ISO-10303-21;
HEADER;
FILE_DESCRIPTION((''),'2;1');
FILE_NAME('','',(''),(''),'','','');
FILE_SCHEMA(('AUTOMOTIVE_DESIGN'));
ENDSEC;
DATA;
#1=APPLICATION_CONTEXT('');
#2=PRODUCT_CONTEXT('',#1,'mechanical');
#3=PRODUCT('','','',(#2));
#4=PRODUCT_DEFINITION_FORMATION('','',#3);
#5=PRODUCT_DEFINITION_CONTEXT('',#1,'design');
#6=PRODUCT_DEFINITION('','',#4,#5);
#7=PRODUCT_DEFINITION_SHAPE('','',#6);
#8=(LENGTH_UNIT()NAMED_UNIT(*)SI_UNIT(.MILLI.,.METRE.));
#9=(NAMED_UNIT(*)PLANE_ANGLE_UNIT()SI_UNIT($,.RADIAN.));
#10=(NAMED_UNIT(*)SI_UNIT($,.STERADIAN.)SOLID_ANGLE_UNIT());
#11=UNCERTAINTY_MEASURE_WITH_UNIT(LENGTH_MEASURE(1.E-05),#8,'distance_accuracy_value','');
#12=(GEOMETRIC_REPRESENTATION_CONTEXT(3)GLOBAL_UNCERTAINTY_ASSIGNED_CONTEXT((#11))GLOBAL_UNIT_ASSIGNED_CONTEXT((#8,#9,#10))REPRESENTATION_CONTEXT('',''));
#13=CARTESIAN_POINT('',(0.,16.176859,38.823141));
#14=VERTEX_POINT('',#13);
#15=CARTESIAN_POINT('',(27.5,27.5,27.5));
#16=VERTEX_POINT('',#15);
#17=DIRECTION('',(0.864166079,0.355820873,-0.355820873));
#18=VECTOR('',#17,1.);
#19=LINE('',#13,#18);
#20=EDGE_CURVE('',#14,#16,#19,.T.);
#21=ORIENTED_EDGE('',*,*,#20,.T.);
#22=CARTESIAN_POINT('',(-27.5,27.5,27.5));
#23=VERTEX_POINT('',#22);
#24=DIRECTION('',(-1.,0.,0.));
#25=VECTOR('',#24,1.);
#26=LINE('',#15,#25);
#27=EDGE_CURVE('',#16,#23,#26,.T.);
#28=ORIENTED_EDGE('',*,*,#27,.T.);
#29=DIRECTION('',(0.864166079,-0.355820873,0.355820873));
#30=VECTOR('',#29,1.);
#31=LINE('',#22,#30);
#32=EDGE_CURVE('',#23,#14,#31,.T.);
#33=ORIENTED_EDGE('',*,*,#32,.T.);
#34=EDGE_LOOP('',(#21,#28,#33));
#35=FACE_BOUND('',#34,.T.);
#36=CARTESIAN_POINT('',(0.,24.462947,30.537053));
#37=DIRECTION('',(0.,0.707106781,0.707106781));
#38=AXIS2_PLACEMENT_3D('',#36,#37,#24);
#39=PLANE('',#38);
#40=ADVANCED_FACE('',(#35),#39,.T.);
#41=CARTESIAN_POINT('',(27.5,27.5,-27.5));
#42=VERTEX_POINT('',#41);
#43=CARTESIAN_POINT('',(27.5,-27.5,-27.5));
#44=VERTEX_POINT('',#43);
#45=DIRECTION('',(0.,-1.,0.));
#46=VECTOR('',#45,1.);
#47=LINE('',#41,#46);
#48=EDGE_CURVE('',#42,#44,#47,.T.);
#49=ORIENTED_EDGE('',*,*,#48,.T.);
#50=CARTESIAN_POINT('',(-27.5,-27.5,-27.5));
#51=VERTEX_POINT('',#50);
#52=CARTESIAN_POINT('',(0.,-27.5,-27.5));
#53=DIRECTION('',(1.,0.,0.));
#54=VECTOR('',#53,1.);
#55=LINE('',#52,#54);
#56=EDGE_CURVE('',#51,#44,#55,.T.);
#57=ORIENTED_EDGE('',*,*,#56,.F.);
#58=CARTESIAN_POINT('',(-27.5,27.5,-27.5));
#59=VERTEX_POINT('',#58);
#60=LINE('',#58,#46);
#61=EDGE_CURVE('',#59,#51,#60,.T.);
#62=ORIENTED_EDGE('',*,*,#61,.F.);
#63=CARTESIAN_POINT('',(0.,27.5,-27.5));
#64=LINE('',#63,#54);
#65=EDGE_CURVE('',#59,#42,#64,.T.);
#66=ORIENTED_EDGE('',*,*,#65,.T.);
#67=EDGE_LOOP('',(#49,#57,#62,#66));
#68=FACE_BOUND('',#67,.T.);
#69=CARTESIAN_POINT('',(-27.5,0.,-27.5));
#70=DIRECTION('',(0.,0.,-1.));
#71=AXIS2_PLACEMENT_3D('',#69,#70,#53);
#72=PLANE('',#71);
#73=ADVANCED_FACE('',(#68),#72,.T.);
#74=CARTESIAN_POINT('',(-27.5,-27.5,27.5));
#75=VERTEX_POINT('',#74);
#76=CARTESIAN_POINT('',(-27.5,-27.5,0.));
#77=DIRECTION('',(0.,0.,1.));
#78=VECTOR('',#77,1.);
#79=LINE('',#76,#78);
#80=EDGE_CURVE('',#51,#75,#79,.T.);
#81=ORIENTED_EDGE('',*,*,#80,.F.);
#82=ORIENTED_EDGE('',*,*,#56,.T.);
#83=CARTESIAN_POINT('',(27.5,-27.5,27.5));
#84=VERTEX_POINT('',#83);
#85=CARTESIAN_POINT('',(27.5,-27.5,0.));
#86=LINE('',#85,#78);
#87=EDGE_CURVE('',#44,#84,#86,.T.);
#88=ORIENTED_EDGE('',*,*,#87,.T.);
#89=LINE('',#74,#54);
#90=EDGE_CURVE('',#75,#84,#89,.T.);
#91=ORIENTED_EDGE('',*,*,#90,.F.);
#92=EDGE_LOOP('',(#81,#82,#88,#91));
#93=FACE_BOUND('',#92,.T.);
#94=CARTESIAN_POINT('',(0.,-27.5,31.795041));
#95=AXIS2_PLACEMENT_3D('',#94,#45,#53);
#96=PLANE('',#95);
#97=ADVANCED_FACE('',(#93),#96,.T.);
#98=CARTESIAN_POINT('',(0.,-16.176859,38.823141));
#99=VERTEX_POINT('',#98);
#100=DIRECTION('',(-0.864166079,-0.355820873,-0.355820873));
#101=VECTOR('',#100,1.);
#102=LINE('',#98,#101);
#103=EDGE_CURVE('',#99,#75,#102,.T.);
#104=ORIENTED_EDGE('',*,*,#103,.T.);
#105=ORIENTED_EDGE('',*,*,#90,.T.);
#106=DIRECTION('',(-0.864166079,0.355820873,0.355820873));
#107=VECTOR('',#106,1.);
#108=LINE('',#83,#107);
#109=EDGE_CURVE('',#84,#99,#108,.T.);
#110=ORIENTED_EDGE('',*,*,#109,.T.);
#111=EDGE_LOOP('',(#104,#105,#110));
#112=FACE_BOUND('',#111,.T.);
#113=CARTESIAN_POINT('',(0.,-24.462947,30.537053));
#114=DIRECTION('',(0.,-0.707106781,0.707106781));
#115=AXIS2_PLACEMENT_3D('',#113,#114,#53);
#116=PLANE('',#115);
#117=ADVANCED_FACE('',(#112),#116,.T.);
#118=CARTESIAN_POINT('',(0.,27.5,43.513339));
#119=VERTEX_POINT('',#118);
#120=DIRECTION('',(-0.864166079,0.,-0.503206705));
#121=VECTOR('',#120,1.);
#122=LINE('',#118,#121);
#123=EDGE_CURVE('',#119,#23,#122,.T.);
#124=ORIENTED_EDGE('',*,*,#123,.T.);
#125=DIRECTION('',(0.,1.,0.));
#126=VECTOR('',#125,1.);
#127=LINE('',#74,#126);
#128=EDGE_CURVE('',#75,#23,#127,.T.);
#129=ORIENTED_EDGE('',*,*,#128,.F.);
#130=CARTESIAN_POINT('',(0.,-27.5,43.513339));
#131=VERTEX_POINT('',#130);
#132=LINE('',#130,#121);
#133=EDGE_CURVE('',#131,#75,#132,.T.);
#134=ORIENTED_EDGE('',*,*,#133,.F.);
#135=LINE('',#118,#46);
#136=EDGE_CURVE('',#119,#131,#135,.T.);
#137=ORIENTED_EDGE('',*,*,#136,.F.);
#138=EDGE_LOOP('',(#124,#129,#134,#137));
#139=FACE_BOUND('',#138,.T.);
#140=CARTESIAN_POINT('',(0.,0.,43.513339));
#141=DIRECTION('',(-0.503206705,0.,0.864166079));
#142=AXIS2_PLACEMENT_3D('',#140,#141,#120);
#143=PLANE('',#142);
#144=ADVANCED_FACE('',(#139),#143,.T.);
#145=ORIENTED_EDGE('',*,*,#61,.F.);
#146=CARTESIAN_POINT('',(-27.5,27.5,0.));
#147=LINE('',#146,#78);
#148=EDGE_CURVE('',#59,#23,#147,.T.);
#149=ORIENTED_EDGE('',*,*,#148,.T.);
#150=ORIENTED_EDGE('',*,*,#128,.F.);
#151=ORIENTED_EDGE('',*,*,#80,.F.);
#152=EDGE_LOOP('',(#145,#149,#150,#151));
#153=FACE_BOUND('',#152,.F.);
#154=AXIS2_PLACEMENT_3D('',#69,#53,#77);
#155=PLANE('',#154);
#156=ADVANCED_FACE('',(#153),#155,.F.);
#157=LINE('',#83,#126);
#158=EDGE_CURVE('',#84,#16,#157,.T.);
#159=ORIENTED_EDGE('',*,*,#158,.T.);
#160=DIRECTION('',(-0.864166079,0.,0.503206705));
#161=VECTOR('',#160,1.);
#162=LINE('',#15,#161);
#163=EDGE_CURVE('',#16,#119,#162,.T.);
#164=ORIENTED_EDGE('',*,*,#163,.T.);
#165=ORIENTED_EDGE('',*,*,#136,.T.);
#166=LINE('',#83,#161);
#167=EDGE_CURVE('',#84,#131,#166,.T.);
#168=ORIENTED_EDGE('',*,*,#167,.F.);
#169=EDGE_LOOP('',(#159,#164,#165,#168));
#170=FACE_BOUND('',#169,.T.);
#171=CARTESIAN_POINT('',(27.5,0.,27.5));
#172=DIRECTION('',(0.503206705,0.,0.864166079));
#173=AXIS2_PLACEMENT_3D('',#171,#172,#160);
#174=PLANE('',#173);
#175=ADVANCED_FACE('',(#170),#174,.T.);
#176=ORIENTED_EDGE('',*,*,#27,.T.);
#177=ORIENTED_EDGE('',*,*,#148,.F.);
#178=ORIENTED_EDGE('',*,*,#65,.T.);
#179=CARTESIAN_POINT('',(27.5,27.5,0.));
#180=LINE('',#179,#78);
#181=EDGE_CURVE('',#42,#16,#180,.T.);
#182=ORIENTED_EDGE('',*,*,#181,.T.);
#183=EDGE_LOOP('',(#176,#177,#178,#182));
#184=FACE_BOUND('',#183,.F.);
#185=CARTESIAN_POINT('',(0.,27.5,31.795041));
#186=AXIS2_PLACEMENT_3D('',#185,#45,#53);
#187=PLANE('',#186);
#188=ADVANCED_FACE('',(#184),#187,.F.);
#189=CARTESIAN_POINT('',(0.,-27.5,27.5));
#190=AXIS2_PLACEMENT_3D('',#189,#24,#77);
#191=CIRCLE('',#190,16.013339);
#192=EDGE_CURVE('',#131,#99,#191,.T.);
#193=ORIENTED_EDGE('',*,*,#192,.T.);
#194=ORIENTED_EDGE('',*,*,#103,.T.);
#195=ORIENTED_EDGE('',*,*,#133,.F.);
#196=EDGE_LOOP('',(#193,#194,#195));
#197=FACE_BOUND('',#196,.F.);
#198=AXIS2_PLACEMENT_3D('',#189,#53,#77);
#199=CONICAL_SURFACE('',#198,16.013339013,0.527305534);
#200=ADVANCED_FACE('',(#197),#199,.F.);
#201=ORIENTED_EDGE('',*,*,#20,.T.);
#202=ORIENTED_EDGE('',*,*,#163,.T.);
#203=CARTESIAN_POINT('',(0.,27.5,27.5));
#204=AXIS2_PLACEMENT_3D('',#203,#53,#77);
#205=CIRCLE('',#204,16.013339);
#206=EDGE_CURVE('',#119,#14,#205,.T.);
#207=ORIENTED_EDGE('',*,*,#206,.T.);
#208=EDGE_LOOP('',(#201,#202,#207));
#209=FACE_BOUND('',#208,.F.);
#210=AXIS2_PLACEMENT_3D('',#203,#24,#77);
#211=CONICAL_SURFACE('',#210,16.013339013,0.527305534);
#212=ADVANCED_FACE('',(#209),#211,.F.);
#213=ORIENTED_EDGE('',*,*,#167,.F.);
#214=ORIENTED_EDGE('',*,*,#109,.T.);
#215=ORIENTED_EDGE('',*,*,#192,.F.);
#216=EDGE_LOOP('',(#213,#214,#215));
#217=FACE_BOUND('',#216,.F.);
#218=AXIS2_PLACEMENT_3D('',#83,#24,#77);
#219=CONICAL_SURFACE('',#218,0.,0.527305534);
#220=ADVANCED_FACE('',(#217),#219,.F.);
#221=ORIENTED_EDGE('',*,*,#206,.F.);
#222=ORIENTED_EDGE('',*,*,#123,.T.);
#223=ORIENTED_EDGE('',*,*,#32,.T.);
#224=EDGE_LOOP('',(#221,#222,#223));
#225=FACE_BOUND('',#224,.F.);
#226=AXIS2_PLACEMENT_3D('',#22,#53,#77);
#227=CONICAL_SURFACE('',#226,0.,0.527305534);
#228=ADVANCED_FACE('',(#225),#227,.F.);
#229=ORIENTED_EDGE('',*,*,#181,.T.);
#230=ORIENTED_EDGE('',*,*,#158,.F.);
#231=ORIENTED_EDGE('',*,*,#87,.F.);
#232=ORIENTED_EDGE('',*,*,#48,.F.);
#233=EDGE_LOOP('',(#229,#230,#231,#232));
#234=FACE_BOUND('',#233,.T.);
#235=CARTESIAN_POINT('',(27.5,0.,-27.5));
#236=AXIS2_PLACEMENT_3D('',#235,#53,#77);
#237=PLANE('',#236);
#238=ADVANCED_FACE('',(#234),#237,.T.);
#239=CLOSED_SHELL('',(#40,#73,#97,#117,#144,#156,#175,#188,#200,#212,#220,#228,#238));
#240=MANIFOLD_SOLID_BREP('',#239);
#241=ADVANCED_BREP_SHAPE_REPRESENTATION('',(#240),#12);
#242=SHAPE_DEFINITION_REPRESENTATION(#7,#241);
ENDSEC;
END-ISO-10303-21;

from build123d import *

# Parameters (mm, degrees)
F0_W     = 55
F0_H     = 55
F1_DEPTH = 27.5
F4_DEPTH = 27.5
F6_ANGLE = 45
F8_ANGLE = 45


with BuildPart() as f1:
    # F0 (on Front) → F1 (new body, symmetric)
    with BuildSketch(Plane.XZ):
        Rectangle(F0_W, F0_H)
    extrude(amount=F1_DEPTH, both=True)

    # F3 (on Front) → F4 (join, symmetric)
    with BuildSketch(Plane.XZ):
        Polygon((27.5, 27.5), (0, 43.5133390129), (-27.5, 27.5), align=None)
    extrude(amount=F4_DEPTH, both=True)

    # F5 (on face) → F6 (revolve, cut)
    with BuildSketch(Plane.XZ.offset(27.5)):
        Polygon((0, 43.5133390129), (-27.5, 27.5), (27.5, 27.5), align=None)
    revolve(axis=Axis((0, -27.5, 27.5), (-1, 0, 0)), revolution_arc=F6_ANGLE, mode=Mode.SUBTRACT)

    # F7 (on face) → F8 (revolve, cut)
    with BuildSketch(Plane(origin=(0, 27.5, 0), x_dir=(-1, 0, 0), z_dir=(0, 1, 0))):
        Polygon((0, 43.5133390129), (-27.5, 27.5), (27.5, 27.5), align=None)
    revolve(axis=Axis((0, 27.5, 27.5), (1, 0, 0)), revolution_arc=F8_ANGLE, mode=Mode.SUBTRACT)


solid = f1.part
